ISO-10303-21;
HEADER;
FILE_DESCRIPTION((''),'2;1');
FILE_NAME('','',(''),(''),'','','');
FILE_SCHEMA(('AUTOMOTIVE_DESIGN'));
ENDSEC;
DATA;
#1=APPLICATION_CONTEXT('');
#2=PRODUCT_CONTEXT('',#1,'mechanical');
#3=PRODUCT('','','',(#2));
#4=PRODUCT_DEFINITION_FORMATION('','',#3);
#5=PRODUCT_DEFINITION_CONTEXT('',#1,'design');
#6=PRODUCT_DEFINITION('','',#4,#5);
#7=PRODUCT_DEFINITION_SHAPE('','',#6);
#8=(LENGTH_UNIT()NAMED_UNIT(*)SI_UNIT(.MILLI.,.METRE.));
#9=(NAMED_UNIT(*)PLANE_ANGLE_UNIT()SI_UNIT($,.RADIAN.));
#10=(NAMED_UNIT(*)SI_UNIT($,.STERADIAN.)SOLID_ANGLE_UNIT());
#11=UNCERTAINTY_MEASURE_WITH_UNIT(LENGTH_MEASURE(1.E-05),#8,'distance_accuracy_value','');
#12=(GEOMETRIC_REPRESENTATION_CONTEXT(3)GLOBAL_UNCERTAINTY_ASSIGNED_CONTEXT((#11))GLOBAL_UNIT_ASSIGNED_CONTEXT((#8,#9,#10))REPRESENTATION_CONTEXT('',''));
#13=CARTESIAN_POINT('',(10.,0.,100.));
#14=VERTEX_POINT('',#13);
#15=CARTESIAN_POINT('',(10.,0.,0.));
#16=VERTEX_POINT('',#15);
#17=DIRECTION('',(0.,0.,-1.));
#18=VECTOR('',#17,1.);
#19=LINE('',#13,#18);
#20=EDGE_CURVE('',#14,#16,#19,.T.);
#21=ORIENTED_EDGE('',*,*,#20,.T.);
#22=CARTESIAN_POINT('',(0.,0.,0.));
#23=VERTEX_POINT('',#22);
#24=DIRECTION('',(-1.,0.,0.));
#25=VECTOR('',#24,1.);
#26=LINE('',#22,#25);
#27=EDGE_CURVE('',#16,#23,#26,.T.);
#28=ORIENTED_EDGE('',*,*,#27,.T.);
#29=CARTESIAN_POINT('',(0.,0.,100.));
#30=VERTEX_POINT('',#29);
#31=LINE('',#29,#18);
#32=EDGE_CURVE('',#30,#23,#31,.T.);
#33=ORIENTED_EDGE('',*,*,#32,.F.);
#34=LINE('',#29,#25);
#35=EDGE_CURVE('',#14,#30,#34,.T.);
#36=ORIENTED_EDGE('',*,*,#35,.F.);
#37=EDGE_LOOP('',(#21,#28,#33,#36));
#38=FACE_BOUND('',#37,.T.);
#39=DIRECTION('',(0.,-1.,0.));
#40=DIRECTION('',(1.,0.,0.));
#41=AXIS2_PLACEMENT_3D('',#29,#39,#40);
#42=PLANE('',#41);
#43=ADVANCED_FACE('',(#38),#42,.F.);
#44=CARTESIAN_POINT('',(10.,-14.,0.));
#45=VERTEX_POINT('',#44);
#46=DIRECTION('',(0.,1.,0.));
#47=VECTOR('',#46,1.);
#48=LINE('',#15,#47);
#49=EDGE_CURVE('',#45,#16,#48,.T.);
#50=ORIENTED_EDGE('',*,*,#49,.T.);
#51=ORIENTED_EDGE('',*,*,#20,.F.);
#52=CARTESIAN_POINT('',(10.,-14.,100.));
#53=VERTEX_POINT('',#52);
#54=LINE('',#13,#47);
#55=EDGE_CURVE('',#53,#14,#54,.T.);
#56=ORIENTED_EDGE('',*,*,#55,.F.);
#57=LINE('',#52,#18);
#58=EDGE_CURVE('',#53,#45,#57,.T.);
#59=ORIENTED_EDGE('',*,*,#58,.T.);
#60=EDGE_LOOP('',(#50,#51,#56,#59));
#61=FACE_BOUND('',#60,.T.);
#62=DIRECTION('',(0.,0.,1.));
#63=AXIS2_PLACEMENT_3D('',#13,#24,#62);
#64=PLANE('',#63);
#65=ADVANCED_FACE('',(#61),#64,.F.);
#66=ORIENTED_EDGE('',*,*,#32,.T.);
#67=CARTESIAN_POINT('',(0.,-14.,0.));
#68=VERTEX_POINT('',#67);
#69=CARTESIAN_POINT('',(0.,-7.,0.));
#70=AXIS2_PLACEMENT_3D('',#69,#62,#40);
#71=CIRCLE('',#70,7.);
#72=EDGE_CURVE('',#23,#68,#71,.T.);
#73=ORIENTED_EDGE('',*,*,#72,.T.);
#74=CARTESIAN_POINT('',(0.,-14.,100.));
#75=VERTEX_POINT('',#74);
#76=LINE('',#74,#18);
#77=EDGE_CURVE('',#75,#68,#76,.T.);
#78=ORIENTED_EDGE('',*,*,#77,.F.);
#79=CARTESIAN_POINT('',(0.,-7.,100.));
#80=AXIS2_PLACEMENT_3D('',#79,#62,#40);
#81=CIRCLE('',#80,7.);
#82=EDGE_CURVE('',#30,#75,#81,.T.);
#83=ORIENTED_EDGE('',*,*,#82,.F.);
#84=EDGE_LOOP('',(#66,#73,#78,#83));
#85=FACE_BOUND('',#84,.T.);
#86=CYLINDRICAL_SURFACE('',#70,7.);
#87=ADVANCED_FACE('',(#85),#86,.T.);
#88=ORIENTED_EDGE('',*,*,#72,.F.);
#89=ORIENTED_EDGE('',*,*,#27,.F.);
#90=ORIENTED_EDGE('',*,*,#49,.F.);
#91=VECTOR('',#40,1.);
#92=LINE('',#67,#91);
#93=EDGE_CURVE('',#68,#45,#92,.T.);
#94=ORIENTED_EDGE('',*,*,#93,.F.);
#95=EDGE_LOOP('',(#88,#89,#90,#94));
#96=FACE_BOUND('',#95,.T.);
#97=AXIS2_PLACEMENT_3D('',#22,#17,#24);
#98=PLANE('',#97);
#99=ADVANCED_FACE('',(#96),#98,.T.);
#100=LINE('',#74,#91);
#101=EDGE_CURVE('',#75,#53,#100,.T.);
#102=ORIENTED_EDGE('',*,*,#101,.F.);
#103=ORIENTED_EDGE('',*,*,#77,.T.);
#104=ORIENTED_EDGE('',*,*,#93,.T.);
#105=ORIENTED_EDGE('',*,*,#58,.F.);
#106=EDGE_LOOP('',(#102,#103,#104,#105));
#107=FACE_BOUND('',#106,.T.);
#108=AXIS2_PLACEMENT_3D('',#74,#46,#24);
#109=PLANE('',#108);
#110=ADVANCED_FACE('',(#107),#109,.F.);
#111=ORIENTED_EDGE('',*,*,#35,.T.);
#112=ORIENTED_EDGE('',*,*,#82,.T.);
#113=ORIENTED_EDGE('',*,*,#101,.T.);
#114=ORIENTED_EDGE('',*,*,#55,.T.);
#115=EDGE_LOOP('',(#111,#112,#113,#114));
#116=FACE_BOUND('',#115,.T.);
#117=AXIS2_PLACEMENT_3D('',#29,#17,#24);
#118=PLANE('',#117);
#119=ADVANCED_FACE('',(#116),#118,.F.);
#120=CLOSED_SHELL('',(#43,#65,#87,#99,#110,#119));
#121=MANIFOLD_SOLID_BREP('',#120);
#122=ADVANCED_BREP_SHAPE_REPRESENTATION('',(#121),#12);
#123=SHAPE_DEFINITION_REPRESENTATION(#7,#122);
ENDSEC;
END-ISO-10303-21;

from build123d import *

# Parameters (mm, degrees)
SKETCH_1_W      = 14
SKETCH_1_H      = 10
EXTRUDE_2_DEPTH = 100
SKETCH_2_R      = 7
EXTRUDE_3_DEPTH = 100


with BuildPart() as part:
    # 草图1 → 凸台-拉伸2 (new body)
    with BuildSketch(Plane(origin=(0, 0, 0), x_dir=(0, -1, 0), z_dir=(0, 0, 1))):
        with Locations((7, 5)):
            Rectangle(SKETCH_1_W, SKETCH_1_H)
    extrude(amount=EXTRUDE_2_DEPTH)

    # 草图2 → 凸台-拉伸3 (add)
    with BuildSketch(Plane.XY.offset(100)):
        with Locations((0, -7)):
            Circle(SKETCH_2_R)
    extrude(amount=-EXTRUDE_3_DEPTH)


solid = part.part
